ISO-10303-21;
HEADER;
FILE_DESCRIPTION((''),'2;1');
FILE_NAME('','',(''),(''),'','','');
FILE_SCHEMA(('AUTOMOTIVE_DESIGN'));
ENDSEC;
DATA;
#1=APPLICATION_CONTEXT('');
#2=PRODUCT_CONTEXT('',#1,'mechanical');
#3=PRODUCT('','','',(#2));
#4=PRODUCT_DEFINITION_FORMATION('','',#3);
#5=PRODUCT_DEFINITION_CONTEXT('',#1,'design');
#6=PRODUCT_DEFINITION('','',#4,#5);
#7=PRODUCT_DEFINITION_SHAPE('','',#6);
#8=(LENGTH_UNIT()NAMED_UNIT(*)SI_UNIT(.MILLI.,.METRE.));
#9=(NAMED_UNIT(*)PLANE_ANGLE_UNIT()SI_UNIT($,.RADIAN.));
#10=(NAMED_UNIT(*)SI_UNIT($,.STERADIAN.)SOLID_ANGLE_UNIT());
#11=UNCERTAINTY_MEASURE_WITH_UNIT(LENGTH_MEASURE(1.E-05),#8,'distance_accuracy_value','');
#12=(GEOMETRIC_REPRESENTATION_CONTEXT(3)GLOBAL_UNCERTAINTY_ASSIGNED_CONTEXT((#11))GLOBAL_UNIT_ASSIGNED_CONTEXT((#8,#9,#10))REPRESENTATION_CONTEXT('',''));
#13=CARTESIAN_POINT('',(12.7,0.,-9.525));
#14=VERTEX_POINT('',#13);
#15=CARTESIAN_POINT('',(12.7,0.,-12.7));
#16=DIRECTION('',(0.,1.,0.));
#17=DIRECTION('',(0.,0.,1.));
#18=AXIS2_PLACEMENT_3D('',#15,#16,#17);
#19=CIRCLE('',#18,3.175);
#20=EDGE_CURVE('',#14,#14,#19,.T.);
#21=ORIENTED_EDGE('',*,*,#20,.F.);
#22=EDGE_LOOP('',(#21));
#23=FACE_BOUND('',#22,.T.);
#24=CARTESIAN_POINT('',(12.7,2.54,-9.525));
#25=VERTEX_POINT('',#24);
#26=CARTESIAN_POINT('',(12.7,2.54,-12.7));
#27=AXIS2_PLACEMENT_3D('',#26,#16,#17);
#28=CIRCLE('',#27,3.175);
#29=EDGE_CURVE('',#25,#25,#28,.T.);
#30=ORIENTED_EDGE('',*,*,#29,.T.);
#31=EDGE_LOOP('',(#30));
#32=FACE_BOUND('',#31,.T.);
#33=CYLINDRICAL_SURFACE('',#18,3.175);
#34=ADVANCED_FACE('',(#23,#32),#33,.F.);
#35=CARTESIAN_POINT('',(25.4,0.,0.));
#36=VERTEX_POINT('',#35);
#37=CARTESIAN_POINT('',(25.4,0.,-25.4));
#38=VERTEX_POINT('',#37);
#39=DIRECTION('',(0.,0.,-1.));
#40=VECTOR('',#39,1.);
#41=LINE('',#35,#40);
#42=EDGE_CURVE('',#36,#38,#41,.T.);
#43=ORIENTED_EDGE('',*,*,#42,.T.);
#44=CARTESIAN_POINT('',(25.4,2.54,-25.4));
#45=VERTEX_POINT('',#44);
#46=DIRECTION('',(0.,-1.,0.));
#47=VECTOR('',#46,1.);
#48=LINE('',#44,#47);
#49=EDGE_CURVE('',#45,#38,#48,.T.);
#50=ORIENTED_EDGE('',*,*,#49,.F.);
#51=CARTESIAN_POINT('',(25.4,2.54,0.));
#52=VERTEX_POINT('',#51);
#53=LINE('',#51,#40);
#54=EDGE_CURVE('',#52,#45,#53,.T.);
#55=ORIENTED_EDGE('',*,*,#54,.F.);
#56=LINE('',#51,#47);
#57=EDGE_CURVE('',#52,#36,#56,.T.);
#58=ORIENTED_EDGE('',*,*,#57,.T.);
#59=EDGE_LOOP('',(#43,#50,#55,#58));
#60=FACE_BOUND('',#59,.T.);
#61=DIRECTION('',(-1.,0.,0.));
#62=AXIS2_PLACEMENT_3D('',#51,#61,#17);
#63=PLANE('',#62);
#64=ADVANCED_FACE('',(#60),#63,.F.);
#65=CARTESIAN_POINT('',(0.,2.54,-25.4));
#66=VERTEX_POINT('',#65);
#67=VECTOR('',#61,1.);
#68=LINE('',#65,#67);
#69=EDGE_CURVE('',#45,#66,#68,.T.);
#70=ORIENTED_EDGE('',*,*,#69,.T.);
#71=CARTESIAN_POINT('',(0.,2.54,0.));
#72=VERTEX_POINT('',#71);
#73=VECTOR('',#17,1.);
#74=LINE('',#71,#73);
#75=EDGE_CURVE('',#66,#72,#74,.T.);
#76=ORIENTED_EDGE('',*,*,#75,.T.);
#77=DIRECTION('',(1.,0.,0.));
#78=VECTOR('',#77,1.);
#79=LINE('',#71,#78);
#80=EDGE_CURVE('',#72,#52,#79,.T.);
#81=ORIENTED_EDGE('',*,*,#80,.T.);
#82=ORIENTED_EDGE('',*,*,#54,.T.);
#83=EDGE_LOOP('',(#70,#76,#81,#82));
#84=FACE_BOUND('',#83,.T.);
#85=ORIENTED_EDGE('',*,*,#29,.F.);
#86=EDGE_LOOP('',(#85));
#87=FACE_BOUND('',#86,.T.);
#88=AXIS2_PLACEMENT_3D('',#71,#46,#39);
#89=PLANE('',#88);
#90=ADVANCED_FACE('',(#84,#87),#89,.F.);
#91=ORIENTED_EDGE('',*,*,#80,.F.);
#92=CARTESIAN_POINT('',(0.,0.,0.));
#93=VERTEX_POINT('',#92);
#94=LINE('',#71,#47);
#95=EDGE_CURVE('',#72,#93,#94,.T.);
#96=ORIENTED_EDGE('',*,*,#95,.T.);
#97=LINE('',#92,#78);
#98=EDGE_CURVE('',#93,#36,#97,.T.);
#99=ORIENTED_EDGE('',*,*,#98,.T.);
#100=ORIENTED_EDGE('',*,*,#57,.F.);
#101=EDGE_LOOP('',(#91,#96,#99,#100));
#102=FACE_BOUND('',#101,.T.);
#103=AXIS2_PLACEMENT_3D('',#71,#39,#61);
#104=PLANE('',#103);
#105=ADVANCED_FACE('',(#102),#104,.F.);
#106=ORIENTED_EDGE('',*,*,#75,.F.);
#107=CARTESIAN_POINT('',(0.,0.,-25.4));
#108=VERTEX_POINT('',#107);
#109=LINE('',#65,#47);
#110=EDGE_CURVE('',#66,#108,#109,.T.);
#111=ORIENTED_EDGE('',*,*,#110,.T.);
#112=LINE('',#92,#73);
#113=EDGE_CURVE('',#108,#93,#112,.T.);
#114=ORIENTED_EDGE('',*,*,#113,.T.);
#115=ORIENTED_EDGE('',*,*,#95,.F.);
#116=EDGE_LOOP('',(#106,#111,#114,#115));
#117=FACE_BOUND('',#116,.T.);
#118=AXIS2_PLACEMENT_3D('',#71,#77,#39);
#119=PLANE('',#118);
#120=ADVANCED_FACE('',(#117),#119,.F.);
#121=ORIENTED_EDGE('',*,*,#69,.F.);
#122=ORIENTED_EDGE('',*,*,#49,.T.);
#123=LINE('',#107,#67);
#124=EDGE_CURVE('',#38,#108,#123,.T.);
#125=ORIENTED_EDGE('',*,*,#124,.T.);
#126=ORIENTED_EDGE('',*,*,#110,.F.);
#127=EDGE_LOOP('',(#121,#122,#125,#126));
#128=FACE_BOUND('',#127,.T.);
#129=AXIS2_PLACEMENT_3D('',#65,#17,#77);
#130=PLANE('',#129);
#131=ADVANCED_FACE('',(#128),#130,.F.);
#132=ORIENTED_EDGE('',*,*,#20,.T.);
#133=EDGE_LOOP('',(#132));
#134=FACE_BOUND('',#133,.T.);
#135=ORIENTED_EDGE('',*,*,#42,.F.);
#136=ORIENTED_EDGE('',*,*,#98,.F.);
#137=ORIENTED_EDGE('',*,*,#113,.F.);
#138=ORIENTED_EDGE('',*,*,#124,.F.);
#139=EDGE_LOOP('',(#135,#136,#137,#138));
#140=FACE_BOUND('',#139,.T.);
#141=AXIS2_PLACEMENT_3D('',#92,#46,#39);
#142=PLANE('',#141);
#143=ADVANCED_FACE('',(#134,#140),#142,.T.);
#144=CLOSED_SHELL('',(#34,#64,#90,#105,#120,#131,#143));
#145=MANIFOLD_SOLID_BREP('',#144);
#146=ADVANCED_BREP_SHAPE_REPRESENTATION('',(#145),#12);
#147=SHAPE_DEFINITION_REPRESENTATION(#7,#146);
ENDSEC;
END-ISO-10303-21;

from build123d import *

# Parameters (mm, degrees)
SKETCH1_W           = 25.4
SKETCH1_H           = 25.4
BOSS_EXTRUDE1_DEPTH = 2.54
SKETCH2_R           = 3.175
CUT_EXTRUDE1_DEPTH  = 2.54


with BuildPart() as part:
    # Sketch1 → Boss-Extrude1 (new body)
    with BuildSketch(Plane(origin=(0, 0, 0), x_dir=(1, 0, 0), z_dir=(0, 1, 0))):
        with Locations((12.7, 12.7)):
            Rectangle(SKETCH1_W, SKETCH1_H)
    extrude(amount=BOSS_EXTRUDE1_DEPTH)

    # Sketch2 → Cut-Extrude1 (cut)
    with BuildSketch(Plane(origin=(0, 2.54, 0), x_dir=(1, 0, 0), z_dir=(0, 1, 0))):
        with Locations((12.7, 12.7)):
            Circle(SKETCH2_R)
    extrude(amount=-CUT_EXTRUDE1_DEPTH, mode=Mode.SUBTRACT)


solid = part.part
